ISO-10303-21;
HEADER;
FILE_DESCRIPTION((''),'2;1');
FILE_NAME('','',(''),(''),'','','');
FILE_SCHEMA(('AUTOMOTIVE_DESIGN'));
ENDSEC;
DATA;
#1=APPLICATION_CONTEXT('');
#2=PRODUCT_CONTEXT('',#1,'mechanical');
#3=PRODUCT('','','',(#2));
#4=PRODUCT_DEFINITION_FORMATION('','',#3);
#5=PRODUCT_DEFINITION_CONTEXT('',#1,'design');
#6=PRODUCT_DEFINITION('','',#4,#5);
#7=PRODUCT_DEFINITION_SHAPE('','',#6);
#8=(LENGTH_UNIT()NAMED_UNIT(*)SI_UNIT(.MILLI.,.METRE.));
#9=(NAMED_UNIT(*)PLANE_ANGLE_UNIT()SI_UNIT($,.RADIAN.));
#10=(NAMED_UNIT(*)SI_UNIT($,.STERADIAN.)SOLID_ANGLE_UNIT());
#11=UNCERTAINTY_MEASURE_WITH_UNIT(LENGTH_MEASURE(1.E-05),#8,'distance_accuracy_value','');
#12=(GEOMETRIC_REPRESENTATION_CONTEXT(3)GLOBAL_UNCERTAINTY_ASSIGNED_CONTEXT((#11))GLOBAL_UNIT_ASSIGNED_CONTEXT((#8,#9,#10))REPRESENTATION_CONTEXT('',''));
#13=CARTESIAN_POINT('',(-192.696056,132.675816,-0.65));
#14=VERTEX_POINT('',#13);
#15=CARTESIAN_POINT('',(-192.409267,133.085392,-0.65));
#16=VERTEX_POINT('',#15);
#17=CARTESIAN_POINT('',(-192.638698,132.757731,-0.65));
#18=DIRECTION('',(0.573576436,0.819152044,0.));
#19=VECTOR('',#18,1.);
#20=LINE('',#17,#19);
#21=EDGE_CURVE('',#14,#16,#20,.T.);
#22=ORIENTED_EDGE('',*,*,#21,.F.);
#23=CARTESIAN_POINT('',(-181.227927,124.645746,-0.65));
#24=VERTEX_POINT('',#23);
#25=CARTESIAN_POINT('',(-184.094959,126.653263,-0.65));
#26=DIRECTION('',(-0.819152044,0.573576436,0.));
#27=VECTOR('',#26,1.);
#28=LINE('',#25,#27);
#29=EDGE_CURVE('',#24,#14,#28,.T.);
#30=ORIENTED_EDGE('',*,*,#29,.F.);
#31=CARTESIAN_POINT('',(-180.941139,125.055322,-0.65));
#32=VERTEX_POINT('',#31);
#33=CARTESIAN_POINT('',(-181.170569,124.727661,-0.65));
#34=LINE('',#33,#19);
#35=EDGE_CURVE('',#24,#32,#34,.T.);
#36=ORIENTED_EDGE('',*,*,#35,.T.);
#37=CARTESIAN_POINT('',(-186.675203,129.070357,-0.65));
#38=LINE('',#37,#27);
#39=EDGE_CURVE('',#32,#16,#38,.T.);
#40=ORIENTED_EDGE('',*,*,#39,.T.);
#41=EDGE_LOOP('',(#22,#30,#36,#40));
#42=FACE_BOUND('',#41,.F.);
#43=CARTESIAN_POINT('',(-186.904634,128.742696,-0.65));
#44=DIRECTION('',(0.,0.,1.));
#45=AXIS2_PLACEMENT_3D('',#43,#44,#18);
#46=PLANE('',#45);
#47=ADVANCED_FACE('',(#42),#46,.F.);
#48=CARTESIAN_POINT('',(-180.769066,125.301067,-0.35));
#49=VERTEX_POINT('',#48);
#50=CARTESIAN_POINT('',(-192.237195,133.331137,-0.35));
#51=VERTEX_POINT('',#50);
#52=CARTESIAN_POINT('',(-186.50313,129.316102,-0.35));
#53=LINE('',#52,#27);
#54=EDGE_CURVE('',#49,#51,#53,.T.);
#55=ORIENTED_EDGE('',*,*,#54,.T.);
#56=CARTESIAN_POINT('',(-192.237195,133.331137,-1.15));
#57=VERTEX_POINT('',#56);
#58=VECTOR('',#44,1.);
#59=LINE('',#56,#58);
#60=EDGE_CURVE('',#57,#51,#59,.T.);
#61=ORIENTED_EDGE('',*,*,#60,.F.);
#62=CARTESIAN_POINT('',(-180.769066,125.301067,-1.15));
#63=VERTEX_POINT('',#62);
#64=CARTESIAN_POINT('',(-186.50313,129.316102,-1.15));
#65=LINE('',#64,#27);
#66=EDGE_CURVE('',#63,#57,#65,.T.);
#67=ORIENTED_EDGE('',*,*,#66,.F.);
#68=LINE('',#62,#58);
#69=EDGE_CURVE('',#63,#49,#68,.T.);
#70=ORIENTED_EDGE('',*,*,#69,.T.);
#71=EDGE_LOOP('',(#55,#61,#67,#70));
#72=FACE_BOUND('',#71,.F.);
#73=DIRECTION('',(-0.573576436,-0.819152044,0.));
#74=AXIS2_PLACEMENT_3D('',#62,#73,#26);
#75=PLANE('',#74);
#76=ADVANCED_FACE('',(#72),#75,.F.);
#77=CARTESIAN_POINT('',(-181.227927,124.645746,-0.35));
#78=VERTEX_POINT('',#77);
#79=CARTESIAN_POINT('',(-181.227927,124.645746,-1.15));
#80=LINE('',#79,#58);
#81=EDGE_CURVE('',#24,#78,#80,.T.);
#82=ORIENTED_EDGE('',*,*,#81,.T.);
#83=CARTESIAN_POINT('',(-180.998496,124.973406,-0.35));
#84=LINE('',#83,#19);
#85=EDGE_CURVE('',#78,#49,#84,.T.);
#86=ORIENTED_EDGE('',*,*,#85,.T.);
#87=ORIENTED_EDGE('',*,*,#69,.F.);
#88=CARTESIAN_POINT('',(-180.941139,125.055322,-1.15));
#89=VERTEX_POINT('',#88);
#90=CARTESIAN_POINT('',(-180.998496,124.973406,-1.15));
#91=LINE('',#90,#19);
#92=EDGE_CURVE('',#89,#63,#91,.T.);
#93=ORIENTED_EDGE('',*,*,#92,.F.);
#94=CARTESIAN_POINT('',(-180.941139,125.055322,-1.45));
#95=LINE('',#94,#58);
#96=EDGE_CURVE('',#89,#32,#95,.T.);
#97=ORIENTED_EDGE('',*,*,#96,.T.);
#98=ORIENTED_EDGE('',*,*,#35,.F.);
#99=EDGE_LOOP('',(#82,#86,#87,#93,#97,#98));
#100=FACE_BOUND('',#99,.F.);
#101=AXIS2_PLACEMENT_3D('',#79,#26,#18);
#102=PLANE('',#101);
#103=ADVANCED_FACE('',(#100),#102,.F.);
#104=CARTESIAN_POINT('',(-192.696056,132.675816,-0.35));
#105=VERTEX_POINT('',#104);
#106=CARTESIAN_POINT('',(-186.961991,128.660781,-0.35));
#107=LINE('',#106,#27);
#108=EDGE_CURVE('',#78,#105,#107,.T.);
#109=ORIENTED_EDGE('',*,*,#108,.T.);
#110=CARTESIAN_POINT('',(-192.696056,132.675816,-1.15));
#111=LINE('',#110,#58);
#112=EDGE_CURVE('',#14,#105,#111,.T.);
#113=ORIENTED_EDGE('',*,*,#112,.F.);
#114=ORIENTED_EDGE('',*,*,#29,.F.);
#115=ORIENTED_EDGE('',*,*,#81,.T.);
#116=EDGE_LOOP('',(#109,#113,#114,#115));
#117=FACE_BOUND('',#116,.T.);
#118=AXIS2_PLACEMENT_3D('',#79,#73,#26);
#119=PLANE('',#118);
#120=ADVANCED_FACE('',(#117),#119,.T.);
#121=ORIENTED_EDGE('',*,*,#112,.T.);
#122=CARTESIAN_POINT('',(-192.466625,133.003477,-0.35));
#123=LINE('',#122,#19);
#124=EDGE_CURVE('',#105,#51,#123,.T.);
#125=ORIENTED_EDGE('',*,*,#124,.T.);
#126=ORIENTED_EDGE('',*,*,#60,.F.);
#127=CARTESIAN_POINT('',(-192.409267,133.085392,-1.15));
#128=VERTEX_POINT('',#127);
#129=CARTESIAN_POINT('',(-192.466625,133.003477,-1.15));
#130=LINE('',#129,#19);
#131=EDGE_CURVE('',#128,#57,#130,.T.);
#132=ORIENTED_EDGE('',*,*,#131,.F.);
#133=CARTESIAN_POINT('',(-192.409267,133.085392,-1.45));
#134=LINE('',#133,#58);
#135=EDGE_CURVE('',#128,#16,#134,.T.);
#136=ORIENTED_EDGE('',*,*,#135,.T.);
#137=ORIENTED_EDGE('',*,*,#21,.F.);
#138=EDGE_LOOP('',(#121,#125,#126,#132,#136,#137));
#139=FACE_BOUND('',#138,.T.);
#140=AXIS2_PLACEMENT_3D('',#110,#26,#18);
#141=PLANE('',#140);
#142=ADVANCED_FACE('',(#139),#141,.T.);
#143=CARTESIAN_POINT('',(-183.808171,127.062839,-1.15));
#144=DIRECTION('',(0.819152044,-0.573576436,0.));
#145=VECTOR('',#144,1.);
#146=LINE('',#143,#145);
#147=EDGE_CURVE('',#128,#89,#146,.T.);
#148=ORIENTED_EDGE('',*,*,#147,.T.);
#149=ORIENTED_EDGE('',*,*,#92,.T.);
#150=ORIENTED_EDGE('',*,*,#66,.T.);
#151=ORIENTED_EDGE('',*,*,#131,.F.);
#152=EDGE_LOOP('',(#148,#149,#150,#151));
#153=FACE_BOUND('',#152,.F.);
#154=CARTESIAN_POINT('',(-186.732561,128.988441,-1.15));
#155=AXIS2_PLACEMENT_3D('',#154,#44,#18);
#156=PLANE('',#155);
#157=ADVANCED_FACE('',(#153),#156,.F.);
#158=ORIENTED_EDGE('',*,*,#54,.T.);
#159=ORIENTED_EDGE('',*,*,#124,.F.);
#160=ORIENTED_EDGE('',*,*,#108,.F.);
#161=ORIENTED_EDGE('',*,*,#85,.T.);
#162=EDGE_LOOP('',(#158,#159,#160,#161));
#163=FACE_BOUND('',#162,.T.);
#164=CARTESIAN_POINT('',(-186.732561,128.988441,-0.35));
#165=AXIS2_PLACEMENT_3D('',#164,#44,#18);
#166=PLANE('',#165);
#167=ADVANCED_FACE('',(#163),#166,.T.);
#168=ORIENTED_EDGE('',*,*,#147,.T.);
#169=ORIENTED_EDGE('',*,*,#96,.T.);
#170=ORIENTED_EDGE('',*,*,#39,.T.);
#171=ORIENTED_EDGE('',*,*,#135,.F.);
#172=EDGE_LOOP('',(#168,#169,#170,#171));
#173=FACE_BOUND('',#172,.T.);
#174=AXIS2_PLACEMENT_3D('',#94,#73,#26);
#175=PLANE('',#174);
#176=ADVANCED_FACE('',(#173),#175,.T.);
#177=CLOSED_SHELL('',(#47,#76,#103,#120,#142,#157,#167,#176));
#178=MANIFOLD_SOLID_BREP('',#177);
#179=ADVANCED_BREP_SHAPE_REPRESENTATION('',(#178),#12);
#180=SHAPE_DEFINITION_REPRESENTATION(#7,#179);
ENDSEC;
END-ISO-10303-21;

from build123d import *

# Parameters (mm, degrees)
BOX125_W               = 0.8
BOX125_H               = 14
BOX125_DEPTH           = 0.8
BOX126_W               = 0.8
BOX126_H               = 14
BOX126_DEPTH           = 0.8
CUT066_PLACEMENT_ANGLE = 55


with BuildPart() as cubo125:
    # Box125 → Box125 (new body)
    with BuildSketch(Plane.XY):
        with Locations((0.4, 7)):
            Rectangle(BOX125_W, BOX125_H)
    extrude(amount=BOX125_DEPTH)


with BuildPart() as perfil_l_2da_cara008:
    # Box126 → Box126 (new body)
    with BuildSketch(Plane(origin=(0.3, 0, 0.3), x_dir=(1, 0, 0), z_dir=(0, 0, 1))):
        with Locations((0.4, 7)):
            Rectangle(BOX126_W, BOX126_H)
    extrude(amount=BOX126_DEPTH)

    # Cut066: cut Cubo125
    add(cubo125.part, mode=Mode.SUBTRACT)


with BuildPart() as perfil_l_2da_cara008_1:
    # Cut066 placement: moved
    add(perfil_l_2da_cara008.part.moved(Location((-181.4, 124.4, -1.45))).rotate(Axis((-181.4, 124.4, -1.45), (0, 0, 1)), CUT066_PLACEMENT_ANGLE))


solid = perfil_l_2da_cara008_1.part
